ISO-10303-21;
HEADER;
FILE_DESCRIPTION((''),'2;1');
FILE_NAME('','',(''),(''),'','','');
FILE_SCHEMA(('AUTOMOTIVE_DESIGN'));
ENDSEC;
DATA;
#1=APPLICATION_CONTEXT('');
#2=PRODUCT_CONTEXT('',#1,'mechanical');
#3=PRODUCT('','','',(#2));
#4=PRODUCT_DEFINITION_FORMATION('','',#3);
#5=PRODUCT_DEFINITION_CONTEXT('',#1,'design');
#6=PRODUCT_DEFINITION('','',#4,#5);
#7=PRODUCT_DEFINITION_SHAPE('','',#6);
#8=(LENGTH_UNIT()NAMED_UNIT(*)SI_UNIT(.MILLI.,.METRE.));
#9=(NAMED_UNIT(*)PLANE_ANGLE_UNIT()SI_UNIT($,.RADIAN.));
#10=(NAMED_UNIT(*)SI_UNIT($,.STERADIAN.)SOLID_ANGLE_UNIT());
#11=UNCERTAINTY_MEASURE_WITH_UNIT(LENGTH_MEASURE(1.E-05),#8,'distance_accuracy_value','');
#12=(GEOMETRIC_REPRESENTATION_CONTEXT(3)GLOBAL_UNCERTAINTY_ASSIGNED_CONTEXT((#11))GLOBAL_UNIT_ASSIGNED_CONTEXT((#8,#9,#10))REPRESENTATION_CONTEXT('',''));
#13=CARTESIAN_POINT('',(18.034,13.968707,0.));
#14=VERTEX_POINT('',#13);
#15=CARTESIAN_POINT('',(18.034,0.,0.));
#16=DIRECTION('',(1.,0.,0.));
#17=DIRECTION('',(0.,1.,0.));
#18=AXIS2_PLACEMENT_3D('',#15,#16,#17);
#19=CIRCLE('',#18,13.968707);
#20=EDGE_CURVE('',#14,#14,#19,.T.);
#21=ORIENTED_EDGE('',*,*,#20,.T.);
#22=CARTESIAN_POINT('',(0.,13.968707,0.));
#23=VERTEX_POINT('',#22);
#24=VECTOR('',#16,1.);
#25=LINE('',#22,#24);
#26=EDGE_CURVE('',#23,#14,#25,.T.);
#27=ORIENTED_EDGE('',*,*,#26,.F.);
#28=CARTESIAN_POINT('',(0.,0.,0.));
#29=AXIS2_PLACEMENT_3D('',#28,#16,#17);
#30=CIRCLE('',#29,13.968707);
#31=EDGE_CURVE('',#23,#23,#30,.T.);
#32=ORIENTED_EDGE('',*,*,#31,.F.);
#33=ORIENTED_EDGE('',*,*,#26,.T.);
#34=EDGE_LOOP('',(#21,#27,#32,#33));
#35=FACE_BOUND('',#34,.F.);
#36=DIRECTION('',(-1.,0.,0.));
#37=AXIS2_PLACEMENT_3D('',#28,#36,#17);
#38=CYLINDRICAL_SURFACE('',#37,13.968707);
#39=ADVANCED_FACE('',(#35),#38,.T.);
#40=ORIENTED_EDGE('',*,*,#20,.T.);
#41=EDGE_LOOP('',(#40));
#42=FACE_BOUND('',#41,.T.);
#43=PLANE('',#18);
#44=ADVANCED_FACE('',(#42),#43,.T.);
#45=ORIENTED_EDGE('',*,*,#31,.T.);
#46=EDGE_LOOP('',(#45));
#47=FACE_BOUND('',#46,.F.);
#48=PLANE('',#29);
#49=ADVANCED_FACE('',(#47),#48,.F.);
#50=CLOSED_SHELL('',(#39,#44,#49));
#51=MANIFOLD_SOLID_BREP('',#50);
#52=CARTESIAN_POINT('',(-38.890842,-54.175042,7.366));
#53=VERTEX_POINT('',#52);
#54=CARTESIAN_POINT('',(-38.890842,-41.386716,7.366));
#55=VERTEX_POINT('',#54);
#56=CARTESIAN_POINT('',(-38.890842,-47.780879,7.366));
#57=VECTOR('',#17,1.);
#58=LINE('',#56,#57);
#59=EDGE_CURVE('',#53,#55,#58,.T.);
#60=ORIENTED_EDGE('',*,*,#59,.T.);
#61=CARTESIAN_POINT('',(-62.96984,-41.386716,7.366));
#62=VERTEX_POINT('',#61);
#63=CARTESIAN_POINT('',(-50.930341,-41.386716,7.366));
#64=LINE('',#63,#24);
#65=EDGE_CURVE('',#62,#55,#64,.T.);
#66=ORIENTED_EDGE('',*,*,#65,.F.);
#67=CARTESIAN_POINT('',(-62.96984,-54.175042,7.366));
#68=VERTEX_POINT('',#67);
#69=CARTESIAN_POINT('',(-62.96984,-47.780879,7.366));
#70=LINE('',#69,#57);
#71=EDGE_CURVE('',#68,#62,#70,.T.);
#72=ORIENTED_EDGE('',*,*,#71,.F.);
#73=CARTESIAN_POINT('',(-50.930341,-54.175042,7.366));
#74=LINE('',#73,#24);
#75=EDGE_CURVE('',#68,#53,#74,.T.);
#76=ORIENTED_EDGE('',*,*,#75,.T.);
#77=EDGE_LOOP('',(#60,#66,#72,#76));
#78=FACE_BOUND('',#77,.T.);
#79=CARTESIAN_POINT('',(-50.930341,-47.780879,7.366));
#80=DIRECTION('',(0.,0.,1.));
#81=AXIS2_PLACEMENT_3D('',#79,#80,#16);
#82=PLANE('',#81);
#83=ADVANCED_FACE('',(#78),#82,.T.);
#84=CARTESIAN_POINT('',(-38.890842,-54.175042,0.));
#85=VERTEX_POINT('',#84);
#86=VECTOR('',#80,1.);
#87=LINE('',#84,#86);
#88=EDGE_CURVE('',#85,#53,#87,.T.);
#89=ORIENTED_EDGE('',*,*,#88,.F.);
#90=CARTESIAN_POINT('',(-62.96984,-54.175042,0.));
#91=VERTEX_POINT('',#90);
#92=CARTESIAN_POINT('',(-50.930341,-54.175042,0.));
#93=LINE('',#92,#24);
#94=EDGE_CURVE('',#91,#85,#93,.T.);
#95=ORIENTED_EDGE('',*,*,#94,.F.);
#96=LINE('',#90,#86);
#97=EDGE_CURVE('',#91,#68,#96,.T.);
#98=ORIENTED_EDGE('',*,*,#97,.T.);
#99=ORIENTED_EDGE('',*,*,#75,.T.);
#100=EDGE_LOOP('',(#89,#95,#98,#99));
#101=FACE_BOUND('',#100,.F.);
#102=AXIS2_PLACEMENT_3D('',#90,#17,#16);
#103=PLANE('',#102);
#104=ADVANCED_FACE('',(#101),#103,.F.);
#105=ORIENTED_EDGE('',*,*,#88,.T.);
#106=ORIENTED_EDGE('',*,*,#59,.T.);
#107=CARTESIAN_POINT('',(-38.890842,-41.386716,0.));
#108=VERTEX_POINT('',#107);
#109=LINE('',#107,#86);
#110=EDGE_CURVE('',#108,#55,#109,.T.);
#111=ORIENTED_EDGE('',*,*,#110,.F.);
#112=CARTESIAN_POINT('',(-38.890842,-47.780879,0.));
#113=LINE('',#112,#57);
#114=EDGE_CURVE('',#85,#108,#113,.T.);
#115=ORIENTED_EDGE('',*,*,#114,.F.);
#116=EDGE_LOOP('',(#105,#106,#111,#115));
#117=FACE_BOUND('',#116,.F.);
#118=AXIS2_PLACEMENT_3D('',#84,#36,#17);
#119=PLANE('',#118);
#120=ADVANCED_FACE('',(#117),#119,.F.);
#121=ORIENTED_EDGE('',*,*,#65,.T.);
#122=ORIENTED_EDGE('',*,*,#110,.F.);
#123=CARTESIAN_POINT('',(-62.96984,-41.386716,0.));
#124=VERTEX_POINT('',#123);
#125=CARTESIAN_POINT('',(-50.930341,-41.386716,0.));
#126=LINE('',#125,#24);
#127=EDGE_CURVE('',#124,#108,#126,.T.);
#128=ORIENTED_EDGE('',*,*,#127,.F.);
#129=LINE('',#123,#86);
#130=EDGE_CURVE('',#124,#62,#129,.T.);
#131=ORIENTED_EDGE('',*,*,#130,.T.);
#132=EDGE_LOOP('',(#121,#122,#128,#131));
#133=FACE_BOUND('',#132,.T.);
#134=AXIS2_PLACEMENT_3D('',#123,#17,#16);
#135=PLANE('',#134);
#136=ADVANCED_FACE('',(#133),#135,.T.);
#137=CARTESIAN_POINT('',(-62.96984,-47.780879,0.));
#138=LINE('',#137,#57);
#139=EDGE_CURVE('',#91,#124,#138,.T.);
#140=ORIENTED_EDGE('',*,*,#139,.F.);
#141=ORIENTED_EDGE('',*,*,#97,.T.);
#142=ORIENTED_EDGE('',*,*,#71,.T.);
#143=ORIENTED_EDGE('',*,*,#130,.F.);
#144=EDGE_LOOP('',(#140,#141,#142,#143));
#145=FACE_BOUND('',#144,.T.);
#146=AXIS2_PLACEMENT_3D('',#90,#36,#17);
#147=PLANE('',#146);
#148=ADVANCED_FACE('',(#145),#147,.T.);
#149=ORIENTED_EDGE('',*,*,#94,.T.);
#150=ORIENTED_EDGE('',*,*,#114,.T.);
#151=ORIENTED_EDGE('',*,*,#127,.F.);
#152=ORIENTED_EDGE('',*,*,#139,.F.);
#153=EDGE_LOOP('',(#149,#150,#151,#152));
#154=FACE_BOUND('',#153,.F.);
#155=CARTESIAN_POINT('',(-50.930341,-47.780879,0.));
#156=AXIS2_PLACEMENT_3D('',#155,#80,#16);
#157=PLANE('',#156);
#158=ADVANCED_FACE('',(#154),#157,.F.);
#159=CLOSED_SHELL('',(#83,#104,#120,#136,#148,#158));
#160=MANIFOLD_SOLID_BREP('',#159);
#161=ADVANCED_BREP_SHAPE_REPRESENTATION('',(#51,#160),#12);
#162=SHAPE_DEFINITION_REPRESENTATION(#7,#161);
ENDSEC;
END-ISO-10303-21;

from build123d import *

# Parameters (mm, degrees)
F0_W     = 24.078999
F0_H     = 12.788326
F1_DEPTH = 7.366
F2_R     = 13.968707
F3_DEPTH = 18.034


with BuildPart() as f1:
    # F0 (on Top) → F1 (new body)
    with BuildSketch(Plane.XY):
        with Locations((-50.930341, -47.780879)):
            Rectangle(F0_W, F0_H)
    extrude(amount=F1_DEPTH)


with BuildPart() as f3:
    # F2 (on Right) → F3 (new body)
    with BuildSketch(Plane.YZ):
        Circle(F2_R)
    extrude(amount=F3_DEPTH)


solid = Compound([f1.part, f3.part])
